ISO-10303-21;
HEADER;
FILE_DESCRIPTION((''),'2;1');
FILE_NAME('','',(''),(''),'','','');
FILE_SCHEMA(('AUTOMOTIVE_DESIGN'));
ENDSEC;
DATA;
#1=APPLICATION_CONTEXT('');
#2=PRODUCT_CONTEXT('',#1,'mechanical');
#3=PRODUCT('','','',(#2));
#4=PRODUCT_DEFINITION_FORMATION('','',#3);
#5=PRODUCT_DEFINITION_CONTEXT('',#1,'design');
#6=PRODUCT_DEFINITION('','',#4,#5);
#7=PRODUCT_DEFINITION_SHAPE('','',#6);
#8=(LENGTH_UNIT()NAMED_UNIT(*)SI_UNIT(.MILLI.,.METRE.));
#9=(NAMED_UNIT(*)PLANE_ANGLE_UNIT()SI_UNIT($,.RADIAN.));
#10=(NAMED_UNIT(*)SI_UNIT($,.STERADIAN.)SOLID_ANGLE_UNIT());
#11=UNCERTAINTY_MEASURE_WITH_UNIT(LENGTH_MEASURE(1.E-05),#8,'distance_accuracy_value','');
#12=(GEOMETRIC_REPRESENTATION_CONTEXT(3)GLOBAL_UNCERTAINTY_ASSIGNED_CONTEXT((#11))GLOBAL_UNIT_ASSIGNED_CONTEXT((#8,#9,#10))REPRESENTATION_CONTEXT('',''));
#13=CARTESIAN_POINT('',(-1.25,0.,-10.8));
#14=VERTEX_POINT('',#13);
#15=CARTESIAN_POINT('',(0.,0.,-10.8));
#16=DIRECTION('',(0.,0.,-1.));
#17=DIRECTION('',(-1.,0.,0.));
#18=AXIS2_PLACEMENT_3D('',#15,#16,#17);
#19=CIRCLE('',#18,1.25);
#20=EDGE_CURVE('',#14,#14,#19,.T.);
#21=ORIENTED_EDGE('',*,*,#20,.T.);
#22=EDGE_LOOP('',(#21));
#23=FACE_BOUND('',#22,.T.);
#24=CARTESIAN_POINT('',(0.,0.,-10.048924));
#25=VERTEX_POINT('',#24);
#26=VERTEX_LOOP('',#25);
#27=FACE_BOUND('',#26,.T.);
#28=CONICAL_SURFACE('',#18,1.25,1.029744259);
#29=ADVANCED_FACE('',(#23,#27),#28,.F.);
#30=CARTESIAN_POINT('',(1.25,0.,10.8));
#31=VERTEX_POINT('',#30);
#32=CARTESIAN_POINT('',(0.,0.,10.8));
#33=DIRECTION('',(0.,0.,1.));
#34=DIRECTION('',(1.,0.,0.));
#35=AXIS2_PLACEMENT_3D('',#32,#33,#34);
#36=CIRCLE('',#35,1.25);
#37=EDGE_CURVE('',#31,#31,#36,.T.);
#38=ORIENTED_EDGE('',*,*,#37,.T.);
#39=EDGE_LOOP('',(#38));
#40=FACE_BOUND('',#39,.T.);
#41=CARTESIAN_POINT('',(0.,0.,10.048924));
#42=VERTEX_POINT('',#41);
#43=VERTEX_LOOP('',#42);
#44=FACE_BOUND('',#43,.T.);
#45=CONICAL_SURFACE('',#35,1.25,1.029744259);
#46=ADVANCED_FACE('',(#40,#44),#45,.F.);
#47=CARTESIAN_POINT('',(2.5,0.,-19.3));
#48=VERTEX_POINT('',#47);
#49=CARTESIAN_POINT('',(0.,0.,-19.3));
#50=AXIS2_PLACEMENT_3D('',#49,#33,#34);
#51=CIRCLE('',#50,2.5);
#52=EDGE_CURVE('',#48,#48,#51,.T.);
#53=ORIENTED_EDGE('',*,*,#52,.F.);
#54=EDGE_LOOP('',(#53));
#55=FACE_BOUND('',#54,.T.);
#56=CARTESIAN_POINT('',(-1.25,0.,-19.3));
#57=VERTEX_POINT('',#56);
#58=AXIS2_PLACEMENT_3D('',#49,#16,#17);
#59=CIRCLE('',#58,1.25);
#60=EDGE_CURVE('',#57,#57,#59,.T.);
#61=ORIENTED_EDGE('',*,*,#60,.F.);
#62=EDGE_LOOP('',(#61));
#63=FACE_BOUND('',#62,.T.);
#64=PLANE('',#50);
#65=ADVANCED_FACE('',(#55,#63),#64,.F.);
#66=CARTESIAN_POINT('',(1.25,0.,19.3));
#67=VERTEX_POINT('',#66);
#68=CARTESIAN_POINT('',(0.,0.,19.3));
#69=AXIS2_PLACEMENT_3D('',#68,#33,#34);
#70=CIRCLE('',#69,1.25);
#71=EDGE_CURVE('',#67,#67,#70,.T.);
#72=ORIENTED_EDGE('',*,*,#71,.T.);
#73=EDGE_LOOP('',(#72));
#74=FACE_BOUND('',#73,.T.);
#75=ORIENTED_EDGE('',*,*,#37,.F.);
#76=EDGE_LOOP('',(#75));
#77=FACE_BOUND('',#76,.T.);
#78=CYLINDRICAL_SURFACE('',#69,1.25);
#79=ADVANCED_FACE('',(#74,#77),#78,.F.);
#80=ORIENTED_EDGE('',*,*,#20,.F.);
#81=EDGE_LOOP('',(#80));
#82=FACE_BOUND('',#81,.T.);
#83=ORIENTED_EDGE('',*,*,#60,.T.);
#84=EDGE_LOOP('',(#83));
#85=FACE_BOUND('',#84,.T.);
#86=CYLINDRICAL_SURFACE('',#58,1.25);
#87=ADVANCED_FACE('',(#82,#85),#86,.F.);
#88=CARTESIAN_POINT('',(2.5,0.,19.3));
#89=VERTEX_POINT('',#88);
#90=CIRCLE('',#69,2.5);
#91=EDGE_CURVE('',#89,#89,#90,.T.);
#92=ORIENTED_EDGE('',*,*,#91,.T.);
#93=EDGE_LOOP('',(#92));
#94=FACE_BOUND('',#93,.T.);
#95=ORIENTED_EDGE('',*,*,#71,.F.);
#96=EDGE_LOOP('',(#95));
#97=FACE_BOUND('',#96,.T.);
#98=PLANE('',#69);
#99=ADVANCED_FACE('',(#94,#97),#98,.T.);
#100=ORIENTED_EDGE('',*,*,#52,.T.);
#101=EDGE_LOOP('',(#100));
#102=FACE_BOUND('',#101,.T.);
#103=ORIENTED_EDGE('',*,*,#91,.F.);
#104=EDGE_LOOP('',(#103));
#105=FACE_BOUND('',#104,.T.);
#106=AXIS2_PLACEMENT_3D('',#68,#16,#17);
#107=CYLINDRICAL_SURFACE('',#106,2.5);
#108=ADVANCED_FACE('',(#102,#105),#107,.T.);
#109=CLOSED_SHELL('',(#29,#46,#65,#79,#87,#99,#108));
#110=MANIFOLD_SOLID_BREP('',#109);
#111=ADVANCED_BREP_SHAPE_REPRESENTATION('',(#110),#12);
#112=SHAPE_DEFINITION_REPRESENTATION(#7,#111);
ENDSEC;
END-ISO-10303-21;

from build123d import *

# Parameters (mm, degrees)
SKETCH_6_R               = 2.5
EXTRUDE_2_DEPTH          = 19.3
M3X0_5_3_D               = 2.5
M3X0_5_3_DEPTH           = 8.5
M3X0_5_3_TIP             = 0.751075774
M3X0_5_3_ON_FACE_2_D     = 2.5
M3X0_5_3_ON_FACE_2_DEPTH = 8.5
M3X0_5_3_ON_FACE_2_TIP   = 0.751075774


with BuildPart() as part:
    # ｽｹｯﾁ6 → ﾎﾞｽ - 押し出し2 (new body, symmetric)
    with BuildSketch(Plane.XY):
        Circle(SKETCH_6_R)
    extrude(amount=EXTRUDE_2_DEPTH, both=True)

    # M3x0.5 ねじ穴3
    with Locations(Plane.XY.offset(19.3)):
        with Locations((0, 0)):
            Hole(M3X0_5_3_D / 2, depth=M3X0_5_3_DEPTH)
            with Locations((0, 0, -(M3X0_5_3_DEPTH + M3X0_5_3_TIP / 2))):  # 118° drill point
                Cone(0, M3X0_5_3_D / 2, M3X0_5_3_TIP, mode=Mode.SUBTRACT)

    # M3x0.5 ねじ穴3 on face 2
    with Locations(Plane(origin=(0, 0, -19.3), x_dir=(-1, 0, 0), z_dir=(0, 0, -1))):
        with Locations((0, 0)):
            Hole(M3X0_5_3_ON_FACE_2_D / 2, depth=M3X0_5_3_ON_FACE_2_DEPTH)
            with Locations((0, 0, -(M3X0_5_3_ON_FACE_2_DEPTH + M3X0_5_3_ON_FACE_2_TIP / 2))):  # 118° drill point
                Cone(0, M3X0_5_3_ON_FACE_2_D / 2, M3X0_5_3_ON_FACE_2_TIP, mode=Mode.SUBTRACT)


solid = part.part
